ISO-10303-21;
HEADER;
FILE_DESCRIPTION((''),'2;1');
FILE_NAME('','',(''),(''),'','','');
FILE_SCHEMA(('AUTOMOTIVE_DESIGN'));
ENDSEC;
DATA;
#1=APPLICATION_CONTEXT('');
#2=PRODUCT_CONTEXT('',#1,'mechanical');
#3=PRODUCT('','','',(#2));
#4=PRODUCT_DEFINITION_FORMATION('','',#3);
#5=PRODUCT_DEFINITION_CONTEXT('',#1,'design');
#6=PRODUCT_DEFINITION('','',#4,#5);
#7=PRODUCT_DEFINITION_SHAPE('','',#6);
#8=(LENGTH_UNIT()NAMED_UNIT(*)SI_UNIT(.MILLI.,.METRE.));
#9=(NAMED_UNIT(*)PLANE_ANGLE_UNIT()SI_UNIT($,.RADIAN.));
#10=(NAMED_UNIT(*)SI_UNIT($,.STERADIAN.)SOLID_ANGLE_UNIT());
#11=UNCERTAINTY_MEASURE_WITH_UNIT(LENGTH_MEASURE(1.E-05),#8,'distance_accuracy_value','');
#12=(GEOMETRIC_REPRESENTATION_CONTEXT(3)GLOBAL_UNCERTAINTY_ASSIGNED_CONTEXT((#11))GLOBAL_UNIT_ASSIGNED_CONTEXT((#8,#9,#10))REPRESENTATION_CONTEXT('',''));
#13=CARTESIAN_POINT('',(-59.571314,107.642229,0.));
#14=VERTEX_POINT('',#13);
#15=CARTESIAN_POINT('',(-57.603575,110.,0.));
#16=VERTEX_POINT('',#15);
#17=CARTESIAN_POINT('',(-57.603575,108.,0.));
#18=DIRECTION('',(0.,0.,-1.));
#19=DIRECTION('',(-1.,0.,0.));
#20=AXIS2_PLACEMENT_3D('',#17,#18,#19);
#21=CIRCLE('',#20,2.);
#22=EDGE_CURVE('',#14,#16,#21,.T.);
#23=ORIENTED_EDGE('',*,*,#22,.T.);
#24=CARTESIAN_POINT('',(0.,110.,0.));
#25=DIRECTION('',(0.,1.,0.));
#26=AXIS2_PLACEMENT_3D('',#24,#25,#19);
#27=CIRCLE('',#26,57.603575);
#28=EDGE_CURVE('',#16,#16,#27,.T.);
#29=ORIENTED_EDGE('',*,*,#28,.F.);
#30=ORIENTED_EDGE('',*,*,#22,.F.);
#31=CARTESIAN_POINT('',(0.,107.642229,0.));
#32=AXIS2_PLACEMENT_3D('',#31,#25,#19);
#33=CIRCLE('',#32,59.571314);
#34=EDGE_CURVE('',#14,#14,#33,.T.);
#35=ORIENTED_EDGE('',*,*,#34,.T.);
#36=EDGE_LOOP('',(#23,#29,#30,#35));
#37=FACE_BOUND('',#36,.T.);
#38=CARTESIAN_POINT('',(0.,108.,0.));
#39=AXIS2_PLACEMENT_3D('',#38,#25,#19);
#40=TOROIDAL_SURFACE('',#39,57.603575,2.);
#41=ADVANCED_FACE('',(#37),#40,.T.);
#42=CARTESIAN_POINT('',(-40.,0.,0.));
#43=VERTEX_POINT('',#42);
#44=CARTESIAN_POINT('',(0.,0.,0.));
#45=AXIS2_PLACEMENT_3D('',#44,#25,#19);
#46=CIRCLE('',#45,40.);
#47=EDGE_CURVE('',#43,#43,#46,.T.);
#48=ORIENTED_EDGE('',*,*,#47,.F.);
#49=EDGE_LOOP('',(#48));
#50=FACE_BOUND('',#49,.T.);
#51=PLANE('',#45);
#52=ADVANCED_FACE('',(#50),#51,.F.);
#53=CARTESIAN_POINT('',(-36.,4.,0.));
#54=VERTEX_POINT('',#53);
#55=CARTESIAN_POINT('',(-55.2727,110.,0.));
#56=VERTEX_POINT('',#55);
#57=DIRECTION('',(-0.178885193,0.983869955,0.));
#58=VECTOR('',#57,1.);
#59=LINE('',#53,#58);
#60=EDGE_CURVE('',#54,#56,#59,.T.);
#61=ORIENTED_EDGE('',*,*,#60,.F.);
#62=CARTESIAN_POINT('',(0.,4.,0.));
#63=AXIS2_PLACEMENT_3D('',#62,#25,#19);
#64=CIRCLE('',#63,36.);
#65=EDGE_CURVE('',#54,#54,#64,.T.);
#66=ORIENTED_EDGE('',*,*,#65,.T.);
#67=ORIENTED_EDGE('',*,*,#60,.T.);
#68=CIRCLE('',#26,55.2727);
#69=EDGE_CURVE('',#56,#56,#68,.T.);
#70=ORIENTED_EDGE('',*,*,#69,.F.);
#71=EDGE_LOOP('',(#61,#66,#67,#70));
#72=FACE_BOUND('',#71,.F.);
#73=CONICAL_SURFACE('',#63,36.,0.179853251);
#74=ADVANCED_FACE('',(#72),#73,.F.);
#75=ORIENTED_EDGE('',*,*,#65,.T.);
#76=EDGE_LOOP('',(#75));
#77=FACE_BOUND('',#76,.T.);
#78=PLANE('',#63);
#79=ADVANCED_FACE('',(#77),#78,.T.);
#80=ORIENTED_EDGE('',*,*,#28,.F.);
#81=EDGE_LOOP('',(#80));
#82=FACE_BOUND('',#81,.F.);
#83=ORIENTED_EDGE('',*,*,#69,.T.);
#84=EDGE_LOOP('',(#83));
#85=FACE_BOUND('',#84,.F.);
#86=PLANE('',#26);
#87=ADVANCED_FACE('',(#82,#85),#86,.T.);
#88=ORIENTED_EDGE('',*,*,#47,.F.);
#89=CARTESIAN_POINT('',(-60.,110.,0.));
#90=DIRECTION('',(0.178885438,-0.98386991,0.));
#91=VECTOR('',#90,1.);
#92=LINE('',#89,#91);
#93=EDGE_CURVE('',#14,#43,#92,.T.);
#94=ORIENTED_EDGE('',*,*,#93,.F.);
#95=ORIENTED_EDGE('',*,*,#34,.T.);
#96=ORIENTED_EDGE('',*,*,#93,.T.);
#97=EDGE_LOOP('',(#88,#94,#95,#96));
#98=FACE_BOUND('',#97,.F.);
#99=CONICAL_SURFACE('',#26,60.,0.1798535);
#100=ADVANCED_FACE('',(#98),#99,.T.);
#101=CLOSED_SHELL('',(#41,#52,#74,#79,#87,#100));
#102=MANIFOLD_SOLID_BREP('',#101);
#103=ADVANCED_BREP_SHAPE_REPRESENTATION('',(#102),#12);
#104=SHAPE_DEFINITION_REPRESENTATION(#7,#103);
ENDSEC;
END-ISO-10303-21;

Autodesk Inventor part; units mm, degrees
sketch "Sketch1" plane through (0, 0, 0) normal (0, 0, 1) x (1, 0, 0)
  line L0 (0, 2.8582) -> (0, -2.8582) construction
  line L1 (-5.7775, 0) -> (5.7775, 0) construction
  line L2 (0, 0) -> (-40, 0)
  line L3 (0, 0) -> (0, 110)
  line L4 (0, 110) -> (-60, 110)
  line L5 (-60, 110) -> (-40, 0)
  line L6 (-36, 4) -> (-55.2727, 110)
  line L7 (-36, 4) -> (0, 4)
  dimension "d0" = 40
  dimension "d1" = 110
  dimension "d2" = 60
  dimension "d3" = 36
  dimension "d4" = 4
revolve "Revolution1" add sketch "Sketch1" angle 360 about axis through (0, 0, 0) along (0, 1, 0) contours L2 L5 L4 L6 L7 L3
fillet "Fillet1" radius 2 1 edges at (60, 110, 0)
properties part number "Flowerpot" material "S235"
